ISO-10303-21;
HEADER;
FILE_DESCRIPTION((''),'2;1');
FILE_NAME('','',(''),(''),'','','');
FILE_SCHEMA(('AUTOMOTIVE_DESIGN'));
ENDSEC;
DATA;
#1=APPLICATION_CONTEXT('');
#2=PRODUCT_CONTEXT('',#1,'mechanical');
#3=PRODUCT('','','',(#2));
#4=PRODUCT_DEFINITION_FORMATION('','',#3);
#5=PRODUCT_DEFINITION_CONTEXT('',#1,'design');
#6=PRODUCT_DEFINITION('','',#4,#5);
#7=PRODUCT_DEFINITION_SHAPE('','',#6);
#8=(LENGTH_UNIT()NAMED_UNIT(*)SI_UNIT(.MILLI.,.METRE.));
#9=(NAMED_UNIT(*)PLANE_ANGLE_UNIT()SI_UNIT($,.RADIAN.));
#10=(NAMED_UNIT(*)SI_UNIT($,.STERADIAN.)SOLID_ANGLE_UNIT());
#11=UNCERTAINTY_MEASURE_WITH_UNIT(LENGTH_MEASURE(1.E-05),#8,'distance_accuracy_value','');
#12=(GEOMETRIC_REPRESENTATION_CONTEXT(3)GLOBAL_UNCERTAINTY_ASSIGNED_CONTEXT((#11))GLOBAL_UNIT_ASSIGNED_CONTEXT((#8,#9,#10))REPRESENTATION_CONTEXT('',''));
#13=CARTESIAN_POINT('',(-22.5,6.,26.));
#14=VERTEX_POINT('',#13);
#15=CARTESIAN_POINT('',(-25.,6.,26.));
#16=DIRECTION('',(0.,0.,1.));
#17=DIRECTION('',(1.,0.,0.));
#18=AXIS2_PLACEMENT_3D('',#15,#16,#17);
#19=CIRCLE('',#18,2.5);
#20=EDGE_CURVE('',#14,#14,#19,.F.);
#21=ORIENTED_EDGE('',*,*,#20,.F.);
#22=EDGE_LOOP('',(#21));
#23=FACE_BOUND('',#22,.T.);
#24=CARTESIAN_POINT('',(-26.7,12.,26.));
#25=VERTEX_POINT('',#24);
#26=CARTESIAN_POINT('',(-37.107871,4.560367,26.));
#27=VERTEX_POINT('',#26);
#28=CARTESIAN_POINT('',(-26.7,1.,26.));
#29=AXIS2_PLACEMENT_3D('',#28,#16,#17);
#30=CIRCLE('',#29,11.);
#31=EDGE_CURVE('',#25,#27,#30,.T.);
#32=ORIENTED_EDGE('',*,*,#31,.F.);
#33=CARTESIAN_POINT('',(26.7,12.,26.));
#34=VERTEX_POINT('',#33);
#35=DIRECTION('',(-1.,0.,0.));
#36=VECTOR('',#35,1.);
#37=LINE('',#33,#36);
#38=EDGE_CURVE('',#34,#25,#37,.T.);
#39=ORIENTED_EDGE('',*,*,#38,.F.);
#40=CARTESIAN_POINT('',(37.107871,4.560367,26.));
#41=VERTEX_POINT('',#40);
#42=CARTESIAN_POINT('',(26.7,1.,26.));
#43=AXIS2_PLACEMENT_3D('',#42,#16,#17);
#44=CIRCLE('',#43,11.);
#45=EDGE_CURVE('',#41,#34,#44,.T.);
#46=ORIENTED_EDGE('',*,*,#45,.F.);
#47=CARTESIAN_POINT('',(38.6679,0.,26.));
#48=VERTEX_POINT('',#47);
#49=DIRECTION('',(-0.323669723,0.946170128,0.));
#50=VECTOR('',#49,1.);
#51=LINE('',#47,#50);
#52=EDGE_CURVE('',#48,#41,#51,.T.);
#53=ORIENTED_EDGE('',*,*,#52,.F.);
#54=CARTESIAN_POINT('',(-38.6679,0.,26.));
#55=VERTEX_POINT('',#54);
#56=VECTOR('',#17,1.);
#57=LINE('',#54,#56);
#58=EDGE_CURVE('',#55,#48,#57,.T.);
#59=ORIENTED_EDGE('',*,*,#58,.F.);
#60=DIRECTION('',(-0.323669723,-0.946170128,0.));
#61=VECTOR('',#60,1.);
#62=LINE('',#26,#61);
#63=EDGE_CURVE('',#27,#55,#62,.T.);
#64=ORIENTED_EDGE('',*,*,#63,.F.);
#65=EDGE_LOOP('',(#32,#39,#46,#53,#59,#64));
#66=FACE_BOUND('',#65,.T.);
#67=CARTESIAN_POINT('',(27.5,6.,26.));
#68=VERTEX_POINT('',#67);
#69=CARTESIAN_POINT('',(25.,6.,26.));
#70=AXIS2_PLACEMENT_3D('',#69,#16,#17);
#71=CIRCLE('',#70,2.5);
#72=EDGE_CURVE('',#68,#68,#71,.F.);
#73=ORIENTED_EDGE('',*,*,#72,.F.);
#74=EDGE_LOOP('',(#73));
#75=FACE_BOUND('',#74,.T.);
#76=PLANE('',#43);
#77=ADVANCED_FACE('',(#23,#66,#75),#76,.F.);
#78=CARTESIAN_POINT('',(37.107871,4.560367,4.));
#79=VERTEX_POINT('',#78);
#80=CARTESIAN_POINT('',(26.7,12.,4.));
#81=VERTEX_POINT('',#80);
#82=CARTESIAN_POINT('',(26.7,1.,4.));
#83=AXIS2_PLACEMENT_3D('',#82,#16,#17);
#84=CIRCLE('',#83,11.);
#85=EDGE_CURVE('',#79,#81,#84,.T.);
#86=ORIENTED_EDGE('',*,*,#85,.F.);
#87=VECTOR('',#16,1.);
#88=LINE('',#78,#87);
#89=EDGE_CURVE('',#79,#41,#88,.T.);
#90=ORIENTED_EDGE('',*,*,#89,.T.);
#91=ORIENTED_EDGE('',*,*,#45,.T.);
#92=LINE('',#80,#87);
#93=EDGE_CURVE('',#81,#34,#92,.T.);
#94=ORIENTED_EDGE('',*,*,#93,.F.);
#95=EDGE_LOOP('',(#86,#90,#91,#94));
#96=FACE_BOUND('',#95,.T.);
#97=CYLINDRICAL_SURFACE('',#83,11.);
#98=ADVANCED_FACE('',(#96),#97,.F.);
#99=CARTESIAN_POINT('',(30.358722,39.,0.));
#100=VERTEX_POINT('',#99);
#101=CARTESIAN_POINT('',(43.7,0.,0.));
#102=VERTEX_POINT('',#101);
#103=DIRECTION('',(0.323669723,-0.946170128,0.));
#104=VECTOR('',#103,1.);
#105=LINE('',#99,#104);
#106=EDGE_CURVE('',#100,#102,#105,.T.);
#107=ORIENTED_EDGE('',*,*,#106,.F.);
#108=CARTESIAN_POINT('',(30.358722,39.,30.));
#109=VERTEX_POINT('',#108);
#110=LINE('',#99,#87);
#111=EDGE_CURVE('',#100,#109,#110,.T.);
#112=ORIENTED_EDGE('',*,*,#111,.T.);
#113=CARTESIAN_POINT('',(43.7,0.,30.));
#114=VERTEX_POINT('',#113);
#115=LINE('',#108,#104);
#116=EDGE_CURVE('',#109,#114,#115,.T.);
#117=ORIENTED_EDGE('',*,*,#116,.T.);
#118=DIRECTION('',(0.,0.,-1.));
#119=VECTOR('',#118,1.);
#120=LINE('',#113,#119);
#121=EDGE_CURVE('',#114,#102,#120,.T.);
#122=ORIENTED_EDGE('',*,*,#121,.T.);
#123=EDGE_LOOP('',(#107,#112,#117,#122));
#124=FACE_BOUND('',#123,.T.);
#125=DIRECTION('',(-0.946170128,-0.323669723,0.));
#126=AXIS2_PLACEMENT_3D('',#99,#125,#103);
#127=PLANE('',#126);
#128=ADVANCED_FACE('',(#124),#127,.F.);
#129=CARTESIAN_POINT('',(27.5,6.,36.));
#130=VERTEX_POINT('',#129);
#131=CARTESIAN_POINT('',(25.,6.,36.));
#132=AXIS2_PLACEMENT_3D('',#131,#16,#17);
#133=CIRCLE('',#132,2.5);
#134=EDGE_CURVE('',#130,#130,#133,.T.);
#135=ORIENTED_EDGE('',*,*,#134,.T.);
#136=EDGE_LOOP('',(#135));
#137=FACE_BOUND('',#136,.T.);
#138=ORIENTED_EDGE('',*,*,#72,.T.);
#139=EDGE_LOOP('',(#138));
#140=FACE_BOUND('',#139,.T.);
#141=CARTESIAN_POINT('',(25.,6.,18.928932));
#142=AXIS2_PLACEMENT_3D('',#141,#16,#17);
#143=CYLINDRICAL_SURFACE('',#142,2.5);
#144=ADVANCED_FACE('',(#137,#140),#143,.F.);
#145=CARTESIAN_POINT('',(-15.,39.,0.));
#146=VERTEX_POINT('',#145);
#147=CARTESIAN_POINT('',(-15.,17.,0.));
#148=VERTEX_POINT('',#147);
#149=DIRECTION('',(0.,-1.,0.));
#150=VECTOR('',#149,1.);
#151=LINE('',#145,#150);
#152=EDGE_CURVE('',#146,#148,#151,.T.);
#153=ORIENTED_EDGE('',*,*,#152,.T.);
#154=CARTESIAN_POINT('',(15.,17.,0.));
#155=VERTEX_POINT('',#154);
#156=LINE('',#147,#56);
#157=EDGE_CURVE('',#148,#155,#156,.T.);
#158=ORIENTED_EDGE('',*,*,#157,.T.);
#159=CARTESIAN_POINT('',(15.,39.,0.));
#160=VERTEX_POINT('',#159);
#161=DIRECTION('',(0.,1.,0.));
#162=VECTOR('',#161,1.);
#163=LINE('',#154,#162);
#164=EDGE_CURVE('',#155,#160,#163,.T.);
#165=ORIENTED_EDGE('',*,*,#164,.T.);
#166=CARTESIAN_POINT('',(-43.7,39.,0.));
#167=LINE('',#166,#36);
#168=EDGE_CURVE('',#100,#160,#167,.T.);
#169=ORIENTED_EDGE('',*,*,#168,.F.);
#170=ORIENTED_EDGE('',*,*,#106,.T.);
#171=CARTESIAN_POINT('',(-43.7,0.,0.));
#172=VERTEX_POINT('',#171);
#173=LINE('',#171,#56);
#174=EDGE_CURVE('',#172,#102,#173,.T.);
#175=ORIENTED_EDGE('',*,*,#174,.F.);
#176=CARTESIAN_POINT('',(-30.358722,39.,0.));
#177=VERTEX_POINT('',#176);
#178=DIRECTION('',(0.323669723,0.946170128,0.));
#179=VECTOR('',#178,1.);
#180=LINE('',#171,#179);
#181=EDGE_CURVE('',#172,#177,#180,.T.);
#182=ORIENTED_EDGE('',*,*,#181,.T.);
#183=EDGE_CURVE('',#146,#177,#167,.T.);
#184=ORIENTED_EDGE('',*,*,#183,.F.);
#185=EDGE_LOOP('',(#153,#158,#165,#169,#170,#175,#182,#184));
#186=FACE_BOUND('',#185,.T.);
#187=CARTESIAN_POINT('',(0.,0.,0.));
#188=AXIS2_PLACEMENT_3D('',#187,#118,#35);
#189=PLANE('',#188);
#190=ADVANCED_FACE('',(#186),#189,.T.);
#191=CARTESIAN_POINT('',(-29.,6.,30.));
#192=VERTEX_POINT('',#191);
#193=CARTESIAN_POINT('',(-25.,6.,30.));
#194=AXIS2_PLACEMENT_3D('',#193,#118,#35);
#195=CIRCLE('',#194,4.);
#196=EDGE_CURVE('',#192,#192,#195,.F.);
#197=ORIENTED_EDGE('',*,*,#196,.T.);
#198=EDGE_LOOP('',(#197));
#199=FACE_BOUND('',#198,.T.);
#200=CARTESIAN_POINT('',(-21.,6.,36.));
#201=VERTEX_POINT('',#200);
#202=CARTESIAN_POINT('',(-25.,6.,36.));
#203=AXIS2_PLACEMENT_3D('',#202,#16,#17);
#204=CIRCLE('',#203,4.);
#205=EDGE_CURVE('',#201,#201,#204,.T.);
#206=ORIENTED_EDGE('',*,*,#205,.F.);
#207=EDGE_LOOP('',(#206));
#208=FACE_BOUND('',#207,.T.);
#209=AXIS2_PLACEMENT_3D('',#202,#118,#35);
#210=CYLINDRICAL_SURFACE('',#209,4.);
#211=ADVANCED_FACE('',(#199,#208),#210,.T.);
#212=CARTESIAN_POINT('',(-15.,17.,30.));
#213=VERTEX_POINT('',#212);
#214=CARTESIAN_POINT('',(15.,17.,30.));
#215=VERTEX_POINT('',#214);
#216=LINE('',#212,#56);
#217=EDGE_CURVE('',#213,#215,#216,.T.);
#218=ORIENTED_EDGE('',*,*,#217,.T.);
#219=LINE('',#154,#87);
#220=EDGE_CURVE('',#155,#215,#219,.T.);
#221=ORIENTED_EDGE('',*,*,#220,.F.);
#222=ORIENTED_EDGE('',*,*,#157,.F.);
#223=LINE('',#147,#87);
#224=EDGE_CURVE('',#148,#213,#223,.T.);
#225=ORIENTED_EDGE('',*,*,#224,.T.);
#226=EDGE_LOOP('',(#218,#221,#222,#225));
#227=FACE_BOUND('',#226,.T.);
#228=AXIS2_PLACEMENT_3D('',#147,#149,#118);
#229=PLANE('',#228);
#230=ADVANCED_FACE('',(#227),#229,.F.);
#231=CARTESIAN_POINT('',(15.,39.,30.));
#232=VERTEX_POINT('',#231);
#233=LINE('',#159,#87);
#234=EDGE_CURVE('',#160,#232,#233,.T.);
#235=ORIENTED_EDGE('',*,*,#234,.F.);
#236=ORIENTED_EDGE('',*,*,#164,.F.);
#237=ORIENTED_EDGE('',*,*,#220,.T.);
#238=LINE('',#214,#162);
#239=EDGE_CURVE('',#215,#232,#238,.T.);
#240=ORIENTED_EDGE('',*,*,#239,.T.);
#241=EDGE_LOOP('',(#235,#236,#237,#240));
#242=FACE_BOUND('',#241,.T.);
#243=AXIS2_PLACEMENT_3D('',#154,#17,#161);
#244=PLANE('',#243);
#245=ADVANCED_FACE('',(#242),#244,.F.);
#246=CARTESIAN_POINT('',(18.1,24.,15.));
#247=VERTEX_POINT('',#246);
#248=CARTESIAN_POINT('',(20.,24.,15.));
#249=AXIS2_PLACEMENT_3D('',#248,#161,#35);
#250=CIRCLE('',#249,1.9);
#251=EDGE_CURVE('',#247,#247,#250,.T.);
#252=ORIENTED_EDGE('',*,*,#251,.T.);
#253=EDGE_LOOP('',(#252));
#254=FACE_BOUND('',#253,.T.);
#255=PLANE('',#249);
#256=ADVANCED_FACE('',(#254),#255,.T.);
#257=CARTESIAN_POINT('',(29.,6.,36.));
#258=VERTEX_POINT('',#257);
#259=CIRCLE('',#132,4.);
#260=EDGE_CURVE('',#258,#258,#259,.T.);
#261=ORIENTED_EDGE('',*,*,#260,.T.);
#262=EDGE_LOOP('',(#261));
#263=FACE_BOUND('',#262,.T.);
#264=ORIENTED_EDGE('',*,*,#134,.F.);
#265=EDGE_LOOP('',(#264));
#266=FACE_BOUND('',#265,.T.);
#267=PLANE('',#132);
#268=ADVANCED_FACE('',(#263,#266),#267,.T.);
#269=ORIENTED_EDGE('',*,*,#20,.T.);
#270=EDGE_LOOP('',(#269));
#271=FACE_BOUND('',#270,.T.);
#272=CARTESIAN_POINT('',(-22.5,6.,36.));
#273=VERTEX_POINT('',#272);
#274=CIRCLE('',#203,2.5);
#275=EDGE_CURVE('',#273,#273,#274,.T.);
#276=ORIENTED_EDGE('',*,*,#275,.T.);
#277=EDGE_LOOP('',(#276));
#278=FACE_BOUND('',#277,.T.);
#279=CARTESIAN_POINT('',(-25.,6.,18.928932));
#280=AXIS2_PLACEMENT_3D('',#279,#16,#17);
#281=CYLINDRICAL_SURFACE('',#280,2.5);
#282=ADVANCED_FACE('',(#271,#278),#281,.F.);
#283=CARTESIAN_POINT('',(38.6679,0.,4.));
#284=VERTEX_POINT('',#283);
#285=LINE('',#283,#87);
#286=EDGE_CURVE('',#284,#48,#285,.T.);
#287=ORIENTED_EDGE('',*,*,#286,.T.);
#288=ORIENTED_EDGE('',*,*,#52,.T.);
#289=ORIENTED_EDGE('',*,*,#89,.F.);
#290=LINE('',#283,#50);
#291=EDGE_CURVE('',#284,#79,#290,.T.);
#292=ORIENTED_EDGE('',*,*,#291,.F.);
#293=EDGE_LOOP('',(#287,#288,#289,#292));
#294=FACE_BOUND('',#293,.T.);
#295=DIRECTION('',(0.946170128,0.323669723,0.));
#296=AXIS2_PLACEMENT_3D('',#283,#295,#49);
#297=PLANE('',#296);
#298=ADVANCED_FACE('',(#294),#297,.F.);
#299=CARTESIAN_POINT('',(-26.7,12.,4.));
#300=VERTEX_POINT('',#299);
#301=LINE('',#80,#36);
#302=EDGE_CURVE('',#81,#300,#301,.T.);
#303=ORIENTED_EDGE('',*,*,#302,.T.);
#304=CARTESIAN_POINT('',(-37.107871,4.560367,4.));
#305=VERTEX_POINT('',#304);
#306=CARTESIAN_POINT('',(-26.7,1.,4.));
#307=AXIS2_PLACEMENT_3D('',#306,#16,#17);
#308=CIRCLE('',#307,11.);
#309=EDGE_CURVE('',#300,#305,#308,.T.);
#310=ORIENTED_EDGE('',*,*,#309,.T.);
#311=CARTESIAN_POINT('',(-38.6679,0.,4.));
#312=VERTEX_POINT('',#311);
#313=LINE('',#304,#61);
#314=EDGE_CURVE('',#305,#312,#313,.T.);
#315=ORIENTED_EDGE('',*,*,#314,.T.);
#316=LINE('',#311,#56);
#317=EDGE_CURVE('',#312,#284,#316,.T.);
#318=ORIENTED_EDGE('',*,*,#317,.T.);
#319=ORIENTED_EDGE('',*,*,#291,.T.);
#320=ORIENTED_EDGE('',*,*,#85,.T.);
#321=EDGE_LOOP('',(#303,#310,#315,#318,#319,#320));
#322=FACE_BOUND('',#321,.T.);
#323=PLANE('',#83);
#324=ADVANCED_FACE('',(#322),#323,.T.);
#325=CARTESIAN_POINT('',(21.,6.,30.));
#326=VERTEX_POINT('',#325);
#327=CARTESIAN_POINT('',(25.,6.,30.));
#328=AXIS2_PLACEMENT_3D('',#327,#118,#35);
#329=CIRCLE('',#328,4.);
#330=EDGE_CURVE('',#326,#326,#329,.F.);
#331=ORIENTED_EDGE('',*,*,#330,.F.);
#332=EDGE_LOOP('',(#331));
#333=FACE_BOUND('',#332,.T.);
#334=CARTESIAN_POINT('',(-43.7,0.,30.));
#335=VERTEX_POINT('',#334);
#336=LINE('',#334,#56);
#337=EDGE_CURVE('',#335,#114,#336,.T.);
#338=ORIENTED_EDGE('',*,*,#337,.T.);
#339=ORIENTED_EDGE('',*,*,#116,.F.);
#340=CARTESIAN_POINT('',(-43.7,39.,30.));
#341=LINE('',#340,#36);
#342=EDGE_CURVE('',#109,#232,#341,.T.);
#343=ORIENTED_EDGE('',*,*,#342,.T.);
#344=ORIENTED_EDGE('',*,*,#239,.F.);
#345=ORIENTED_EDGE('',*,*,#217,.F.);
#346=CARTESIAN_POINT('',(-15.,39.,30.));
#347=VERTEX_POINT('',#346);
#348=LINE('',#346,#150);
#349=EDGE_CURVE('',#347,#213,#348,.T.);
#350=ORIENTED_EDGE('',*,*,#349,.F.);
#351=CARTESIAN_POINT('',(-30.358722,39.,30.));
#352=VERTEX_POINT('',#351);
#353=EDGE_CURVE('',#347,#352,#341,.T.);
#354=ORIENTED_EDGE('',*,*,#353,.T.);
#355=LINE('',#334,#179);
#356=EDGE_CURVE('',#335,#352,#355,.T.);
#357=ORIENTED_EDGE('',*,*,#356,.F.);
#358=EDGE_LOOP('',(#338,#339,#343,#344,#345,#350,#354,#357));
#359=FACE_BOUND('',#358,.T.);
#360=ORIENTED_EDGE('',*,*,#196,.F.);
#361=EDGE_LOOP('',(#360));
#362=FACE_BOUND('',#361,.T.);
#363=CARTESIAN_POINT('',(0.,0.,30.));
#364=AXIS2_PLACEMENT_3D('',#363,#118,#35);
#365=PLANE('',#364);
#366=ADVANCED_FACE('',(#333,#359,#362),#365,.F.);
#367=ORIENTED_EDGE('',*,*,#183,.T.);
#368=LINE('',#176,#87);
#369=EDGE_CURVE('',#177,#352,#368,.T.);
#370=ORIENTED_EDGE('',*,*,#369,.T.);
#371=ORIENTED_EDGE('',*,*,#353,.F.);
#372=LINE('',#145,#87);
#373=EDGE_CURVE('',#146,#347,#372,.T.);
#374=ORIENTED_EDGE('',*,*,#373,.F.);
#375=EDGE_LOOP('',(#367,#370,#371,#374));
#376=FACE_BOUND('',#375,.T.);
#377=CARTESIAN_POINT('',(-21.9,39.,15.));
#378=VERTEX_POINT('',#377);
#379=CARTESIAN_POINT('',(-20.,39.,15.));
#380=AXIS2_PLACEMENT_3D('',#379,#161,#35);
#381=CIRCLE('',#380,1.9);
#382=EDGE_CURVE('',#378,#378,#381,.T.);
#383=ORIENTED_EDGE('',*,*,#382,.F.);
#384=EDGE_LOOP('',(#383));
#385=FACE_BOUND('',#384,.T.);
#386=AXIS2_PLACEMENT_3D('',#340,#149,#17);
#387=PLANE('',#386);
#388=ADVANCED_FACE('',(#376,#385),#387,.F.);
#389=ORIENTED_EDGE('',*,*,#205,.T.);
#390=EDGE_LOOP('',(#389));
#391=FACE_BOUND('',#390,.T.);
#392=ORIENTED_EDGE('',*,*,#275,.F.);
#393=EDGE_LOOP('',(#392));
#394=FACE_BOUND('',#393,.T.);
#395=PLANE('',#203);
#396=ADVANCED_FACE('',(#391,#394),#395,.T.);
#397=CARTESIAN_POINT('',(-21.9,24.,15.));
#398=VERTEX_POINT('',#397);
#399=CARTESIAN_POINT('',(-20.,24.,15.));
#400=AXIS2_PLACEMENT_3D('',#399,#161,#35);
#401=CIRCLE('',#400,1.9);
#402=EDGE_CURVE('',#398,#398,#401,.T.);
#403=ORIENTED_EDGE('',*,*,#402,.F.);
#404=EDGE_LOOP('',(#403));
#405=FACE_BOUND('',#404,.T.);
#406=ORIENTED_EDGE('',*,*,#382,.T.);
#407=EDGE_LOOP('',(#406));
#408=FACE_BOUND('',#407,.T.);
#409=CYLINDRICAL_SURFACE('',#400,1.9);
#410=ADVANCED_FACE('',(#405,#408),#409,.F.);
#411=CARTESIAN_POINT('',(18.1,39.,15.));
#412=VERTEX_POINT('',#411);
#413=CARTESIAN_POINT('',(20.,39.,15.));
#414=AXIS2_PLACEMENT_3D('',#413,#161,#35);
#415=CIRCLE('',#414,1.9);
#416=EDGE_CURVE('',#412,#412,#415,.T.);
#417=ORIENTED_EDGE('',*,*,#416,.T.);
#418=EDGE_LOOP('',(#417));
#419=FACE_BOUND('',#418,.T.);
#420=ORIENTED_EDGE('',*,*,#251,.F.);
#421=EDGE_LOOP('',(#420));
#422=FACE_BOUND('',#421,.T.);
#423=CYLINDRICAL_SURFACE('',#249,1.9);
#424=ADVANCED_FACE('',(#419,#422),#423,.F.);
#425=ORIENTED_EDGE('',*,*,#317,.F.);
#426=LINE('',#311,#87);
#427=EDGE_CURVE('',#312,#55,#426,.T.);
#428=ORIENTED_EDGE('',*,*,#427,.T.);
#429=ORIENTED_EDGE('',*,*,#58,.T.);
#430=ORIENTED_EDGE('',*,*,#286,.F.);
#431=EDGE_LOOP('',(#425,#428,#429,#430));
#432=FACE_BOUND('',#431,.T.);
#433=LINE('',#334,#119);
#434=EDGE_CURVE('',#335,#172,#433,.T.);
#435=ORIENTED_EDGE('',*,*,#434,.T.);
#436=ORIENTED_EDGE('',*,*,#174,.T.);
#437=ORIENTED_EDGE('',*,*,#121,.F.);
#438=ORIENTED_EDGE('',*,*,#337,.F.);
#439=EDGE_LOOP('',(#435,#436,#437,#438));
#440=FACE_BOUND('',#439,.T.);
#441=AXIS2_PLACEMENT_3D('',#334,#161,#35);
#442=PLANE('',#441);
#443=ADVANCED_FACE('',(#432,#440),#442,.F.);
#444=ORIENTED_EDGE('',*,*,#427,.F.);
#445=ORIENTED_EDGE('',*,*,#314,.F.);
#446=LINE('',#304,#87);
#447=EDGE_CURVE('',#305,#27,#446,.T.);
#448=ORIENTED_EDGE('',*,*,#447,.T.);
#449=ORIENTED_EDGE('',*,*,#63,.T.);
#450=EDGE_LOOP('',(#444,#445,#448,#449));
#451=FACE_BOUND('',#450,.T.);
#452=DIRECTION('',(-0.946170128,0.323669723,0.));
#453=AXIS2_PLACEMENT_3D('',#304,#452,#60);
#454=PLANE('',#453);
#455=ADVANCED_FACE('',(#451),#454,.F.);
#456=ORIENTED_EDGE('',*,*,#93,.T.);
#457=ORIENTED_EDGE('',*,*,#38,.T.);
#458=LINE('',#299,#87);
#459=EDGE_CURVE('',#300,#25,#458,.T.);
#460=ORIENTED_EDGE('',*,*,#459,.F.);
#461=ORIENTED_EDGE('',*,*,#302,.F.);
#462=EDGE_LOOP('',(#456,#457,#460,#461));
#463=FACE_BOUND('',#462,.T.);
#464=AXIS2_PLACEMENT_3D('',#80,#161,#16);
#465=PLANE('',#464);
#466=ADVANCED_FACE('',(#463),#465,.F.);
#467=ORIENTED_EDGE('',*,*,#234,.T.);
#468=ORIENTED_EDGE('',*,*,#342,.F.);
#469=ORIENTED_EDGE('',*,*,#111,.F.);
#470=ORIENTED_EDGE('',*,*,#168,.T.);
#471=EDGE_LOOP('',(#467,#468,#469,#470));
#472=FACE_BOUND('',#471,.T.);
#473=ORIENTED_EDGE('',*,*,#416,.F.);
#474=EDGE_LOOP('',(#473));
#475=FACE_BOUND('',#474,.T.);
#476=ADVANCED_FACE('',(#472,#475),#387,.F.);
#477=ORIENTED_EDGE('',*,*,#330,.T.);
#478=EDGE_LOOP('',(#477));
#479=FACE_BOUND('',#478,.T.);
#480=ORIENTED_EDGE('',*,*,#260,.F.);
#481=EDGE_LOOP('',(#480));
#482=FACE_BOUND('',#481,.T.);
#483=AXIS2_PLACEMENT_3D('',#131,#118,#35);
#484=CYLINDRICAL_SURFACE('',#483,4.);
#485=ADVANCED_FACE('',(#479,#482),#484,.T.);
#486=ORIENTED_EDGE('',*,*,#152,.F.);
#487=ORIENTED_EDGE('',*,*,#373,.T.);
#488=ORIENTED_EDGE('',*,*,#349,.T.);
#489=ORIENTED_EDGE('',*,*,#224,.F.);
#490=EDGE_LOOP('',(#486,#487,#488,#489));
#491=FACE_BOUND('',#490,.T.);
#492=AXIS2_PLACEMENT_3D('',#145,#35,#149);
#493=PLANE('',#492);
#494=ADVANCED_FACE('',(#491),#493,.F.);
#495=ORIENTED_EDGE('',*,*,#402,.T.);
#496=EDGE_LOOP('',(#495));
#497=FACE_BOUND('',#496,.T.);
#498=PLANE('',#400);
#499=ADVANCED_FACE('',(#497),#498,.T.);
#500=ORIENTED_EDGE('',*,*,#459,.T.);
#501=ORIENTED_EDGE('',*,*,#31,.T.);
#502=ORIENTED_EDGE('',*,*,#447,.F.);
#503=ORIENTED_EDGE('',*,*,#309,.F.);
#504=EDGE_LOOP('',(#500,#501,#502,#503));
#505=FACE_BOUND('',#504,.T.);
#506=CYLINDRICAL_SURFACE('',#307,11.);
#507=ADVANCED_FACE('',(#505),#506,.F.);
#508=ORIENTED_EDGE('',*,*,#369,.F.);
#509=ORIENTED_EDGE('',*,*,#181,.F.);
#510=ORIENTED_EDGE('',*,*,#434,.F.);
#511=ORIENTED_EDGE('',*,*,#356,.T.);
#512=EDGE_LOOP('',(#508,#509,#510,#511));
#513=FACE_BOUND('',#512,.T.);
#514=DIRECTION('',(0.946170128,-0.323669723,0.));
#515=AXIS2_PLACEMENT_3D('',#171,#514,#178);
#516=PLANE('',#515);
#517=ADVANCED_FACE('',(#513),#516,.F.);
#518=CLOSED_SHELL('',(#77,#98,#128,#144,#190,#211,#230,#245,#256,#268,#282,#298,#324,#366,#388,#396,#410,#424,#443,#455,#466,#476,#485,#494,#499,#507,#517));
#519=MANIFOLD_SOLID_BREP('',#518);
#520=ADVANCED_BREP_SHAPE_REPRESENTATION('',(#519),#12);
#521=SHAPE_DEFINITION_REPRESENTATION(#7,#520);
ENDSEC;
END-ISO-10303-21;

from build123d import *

# Parameters (mm, degrees)
SKETCH1_W           = 87.4
SKETCH1_H           = 39
BOSS_EXTRUDE1_DEPTH = 30
CUT_EXTRUDE1_START  = -4
CUT_EXTRUDE1_DEPTH  = 22
SKETCH3_W           = 30
SKETCH3_H           = 22
CUT_EXTRUDE2_DEPTH  = 66.80797824
SKETCH4_R           = 1.9
CUT_EXTRUDE3_DEPTH  = 15
SKETCH5_R           = 4
BOSS_EXTRUDE2_DEPTH = 6
SKETCH6_R           = 2.5
CUT_EXTRUDE4_DEPTH  = 10


with BuildPart() as part:
    # Sketch1 → Boss-Extrude1 (new body)
    with BuildSketch(Plane.XY):
        with Locations((0, 19.5)):
            Rectangle(SKETCH1_W, SKETCH1_H)
    extrude(amount=BOSS_EXTRUDE1_DEPTH)

    # Sketch2 → Cut-Extrude1 (cut)
    with BuildSketch(Plane.XY.offset(30).offset(CUT_EXTRUDE1_START)):
        with BuildLine():
            Line((-38.667900264, 0), (38.667900264, 0))
            Line((38.667900264, 0), (37.107871406, 4.560366948))
            ThreePointArc((37.107871406, 4.560366948), (33.096716485, 9.948855693), (26.7, 12))
            Line((26.7, 12), (-26.7, 12))
            ThreePointArc((-26.7, 12), (-33.096716485, 9.948855693), (-37.107871406, 4.560366948))
            Line((-37.107871406, 4.560366948), (-38.667900264, 0))
        make_face()
    extrude(amount=-CUT_EXTRUDE1_DEPTH, mode=Mode.SUBTRACT)

    # Sketch3 → Cut-Extrude2 (cut, through all)
    with BuildSketch(Plane.XY.offset(30)):
        Polygon((-43.7, 0), (-30.358721505, 39), (-43.7, 39), align=None)
        with Locations((0, 28)):
            Rectangle(SKETCH3_W, SKETCH3_H)
        Polygon((30.358721505, 39), (43.7, 0), (43.7, 39), align=None)
    extrude(amount=-CUT_EXTRUDE2_DEPTH, mode=Mode.SUBTRACT)

    # Sketch4 → Cut-Extrude3 (cut)
    with BuildSketch(Plane(origin=(0, 39, 0), x_dir=(1, 0, 0), z_dir=(0, 1, 0))):
        with Locations(Location((-20, -15, 0), (0, 0, 180))):
            Circle(SKETCH4_R)
        with Locations(Location((20, -15, 0), (0, 0, 180))):
            Circle(SKETCH4_R)
    extrude(amount=-CUT_EXTRUDE3_DEPTH, mode=Mode.SUBTRACT)

    # Sketch5 → Boss-Extrude2 (add)
    with BuildSketch(Plane.XY.offset(30)):
        with Locations(Location((25, 6, 0), (0, 0, 180))):
            Circle(SKETCH5_R)
        with Locations(Location((-25, 6, 0), (0, 0, 180))):
            Circle(SKETCH5_R)
    extrude(amount=BOSS_EXTRUDE2_DEPTH)

    # Sketch6 → Cut-Extrude4 (cut)
    with BuildSketch(Plane.XY.offset(36)):
        with Locations((25, 6)):
            Circle(SKETCH6_R)
        with Locations((-25, 6)):
            Circle(SKETCH6_R)
    extrude(amount=-CUT_EXTRUDE4_DEPTH, mode=Mode.SUBTRACT)


solid = part.part
